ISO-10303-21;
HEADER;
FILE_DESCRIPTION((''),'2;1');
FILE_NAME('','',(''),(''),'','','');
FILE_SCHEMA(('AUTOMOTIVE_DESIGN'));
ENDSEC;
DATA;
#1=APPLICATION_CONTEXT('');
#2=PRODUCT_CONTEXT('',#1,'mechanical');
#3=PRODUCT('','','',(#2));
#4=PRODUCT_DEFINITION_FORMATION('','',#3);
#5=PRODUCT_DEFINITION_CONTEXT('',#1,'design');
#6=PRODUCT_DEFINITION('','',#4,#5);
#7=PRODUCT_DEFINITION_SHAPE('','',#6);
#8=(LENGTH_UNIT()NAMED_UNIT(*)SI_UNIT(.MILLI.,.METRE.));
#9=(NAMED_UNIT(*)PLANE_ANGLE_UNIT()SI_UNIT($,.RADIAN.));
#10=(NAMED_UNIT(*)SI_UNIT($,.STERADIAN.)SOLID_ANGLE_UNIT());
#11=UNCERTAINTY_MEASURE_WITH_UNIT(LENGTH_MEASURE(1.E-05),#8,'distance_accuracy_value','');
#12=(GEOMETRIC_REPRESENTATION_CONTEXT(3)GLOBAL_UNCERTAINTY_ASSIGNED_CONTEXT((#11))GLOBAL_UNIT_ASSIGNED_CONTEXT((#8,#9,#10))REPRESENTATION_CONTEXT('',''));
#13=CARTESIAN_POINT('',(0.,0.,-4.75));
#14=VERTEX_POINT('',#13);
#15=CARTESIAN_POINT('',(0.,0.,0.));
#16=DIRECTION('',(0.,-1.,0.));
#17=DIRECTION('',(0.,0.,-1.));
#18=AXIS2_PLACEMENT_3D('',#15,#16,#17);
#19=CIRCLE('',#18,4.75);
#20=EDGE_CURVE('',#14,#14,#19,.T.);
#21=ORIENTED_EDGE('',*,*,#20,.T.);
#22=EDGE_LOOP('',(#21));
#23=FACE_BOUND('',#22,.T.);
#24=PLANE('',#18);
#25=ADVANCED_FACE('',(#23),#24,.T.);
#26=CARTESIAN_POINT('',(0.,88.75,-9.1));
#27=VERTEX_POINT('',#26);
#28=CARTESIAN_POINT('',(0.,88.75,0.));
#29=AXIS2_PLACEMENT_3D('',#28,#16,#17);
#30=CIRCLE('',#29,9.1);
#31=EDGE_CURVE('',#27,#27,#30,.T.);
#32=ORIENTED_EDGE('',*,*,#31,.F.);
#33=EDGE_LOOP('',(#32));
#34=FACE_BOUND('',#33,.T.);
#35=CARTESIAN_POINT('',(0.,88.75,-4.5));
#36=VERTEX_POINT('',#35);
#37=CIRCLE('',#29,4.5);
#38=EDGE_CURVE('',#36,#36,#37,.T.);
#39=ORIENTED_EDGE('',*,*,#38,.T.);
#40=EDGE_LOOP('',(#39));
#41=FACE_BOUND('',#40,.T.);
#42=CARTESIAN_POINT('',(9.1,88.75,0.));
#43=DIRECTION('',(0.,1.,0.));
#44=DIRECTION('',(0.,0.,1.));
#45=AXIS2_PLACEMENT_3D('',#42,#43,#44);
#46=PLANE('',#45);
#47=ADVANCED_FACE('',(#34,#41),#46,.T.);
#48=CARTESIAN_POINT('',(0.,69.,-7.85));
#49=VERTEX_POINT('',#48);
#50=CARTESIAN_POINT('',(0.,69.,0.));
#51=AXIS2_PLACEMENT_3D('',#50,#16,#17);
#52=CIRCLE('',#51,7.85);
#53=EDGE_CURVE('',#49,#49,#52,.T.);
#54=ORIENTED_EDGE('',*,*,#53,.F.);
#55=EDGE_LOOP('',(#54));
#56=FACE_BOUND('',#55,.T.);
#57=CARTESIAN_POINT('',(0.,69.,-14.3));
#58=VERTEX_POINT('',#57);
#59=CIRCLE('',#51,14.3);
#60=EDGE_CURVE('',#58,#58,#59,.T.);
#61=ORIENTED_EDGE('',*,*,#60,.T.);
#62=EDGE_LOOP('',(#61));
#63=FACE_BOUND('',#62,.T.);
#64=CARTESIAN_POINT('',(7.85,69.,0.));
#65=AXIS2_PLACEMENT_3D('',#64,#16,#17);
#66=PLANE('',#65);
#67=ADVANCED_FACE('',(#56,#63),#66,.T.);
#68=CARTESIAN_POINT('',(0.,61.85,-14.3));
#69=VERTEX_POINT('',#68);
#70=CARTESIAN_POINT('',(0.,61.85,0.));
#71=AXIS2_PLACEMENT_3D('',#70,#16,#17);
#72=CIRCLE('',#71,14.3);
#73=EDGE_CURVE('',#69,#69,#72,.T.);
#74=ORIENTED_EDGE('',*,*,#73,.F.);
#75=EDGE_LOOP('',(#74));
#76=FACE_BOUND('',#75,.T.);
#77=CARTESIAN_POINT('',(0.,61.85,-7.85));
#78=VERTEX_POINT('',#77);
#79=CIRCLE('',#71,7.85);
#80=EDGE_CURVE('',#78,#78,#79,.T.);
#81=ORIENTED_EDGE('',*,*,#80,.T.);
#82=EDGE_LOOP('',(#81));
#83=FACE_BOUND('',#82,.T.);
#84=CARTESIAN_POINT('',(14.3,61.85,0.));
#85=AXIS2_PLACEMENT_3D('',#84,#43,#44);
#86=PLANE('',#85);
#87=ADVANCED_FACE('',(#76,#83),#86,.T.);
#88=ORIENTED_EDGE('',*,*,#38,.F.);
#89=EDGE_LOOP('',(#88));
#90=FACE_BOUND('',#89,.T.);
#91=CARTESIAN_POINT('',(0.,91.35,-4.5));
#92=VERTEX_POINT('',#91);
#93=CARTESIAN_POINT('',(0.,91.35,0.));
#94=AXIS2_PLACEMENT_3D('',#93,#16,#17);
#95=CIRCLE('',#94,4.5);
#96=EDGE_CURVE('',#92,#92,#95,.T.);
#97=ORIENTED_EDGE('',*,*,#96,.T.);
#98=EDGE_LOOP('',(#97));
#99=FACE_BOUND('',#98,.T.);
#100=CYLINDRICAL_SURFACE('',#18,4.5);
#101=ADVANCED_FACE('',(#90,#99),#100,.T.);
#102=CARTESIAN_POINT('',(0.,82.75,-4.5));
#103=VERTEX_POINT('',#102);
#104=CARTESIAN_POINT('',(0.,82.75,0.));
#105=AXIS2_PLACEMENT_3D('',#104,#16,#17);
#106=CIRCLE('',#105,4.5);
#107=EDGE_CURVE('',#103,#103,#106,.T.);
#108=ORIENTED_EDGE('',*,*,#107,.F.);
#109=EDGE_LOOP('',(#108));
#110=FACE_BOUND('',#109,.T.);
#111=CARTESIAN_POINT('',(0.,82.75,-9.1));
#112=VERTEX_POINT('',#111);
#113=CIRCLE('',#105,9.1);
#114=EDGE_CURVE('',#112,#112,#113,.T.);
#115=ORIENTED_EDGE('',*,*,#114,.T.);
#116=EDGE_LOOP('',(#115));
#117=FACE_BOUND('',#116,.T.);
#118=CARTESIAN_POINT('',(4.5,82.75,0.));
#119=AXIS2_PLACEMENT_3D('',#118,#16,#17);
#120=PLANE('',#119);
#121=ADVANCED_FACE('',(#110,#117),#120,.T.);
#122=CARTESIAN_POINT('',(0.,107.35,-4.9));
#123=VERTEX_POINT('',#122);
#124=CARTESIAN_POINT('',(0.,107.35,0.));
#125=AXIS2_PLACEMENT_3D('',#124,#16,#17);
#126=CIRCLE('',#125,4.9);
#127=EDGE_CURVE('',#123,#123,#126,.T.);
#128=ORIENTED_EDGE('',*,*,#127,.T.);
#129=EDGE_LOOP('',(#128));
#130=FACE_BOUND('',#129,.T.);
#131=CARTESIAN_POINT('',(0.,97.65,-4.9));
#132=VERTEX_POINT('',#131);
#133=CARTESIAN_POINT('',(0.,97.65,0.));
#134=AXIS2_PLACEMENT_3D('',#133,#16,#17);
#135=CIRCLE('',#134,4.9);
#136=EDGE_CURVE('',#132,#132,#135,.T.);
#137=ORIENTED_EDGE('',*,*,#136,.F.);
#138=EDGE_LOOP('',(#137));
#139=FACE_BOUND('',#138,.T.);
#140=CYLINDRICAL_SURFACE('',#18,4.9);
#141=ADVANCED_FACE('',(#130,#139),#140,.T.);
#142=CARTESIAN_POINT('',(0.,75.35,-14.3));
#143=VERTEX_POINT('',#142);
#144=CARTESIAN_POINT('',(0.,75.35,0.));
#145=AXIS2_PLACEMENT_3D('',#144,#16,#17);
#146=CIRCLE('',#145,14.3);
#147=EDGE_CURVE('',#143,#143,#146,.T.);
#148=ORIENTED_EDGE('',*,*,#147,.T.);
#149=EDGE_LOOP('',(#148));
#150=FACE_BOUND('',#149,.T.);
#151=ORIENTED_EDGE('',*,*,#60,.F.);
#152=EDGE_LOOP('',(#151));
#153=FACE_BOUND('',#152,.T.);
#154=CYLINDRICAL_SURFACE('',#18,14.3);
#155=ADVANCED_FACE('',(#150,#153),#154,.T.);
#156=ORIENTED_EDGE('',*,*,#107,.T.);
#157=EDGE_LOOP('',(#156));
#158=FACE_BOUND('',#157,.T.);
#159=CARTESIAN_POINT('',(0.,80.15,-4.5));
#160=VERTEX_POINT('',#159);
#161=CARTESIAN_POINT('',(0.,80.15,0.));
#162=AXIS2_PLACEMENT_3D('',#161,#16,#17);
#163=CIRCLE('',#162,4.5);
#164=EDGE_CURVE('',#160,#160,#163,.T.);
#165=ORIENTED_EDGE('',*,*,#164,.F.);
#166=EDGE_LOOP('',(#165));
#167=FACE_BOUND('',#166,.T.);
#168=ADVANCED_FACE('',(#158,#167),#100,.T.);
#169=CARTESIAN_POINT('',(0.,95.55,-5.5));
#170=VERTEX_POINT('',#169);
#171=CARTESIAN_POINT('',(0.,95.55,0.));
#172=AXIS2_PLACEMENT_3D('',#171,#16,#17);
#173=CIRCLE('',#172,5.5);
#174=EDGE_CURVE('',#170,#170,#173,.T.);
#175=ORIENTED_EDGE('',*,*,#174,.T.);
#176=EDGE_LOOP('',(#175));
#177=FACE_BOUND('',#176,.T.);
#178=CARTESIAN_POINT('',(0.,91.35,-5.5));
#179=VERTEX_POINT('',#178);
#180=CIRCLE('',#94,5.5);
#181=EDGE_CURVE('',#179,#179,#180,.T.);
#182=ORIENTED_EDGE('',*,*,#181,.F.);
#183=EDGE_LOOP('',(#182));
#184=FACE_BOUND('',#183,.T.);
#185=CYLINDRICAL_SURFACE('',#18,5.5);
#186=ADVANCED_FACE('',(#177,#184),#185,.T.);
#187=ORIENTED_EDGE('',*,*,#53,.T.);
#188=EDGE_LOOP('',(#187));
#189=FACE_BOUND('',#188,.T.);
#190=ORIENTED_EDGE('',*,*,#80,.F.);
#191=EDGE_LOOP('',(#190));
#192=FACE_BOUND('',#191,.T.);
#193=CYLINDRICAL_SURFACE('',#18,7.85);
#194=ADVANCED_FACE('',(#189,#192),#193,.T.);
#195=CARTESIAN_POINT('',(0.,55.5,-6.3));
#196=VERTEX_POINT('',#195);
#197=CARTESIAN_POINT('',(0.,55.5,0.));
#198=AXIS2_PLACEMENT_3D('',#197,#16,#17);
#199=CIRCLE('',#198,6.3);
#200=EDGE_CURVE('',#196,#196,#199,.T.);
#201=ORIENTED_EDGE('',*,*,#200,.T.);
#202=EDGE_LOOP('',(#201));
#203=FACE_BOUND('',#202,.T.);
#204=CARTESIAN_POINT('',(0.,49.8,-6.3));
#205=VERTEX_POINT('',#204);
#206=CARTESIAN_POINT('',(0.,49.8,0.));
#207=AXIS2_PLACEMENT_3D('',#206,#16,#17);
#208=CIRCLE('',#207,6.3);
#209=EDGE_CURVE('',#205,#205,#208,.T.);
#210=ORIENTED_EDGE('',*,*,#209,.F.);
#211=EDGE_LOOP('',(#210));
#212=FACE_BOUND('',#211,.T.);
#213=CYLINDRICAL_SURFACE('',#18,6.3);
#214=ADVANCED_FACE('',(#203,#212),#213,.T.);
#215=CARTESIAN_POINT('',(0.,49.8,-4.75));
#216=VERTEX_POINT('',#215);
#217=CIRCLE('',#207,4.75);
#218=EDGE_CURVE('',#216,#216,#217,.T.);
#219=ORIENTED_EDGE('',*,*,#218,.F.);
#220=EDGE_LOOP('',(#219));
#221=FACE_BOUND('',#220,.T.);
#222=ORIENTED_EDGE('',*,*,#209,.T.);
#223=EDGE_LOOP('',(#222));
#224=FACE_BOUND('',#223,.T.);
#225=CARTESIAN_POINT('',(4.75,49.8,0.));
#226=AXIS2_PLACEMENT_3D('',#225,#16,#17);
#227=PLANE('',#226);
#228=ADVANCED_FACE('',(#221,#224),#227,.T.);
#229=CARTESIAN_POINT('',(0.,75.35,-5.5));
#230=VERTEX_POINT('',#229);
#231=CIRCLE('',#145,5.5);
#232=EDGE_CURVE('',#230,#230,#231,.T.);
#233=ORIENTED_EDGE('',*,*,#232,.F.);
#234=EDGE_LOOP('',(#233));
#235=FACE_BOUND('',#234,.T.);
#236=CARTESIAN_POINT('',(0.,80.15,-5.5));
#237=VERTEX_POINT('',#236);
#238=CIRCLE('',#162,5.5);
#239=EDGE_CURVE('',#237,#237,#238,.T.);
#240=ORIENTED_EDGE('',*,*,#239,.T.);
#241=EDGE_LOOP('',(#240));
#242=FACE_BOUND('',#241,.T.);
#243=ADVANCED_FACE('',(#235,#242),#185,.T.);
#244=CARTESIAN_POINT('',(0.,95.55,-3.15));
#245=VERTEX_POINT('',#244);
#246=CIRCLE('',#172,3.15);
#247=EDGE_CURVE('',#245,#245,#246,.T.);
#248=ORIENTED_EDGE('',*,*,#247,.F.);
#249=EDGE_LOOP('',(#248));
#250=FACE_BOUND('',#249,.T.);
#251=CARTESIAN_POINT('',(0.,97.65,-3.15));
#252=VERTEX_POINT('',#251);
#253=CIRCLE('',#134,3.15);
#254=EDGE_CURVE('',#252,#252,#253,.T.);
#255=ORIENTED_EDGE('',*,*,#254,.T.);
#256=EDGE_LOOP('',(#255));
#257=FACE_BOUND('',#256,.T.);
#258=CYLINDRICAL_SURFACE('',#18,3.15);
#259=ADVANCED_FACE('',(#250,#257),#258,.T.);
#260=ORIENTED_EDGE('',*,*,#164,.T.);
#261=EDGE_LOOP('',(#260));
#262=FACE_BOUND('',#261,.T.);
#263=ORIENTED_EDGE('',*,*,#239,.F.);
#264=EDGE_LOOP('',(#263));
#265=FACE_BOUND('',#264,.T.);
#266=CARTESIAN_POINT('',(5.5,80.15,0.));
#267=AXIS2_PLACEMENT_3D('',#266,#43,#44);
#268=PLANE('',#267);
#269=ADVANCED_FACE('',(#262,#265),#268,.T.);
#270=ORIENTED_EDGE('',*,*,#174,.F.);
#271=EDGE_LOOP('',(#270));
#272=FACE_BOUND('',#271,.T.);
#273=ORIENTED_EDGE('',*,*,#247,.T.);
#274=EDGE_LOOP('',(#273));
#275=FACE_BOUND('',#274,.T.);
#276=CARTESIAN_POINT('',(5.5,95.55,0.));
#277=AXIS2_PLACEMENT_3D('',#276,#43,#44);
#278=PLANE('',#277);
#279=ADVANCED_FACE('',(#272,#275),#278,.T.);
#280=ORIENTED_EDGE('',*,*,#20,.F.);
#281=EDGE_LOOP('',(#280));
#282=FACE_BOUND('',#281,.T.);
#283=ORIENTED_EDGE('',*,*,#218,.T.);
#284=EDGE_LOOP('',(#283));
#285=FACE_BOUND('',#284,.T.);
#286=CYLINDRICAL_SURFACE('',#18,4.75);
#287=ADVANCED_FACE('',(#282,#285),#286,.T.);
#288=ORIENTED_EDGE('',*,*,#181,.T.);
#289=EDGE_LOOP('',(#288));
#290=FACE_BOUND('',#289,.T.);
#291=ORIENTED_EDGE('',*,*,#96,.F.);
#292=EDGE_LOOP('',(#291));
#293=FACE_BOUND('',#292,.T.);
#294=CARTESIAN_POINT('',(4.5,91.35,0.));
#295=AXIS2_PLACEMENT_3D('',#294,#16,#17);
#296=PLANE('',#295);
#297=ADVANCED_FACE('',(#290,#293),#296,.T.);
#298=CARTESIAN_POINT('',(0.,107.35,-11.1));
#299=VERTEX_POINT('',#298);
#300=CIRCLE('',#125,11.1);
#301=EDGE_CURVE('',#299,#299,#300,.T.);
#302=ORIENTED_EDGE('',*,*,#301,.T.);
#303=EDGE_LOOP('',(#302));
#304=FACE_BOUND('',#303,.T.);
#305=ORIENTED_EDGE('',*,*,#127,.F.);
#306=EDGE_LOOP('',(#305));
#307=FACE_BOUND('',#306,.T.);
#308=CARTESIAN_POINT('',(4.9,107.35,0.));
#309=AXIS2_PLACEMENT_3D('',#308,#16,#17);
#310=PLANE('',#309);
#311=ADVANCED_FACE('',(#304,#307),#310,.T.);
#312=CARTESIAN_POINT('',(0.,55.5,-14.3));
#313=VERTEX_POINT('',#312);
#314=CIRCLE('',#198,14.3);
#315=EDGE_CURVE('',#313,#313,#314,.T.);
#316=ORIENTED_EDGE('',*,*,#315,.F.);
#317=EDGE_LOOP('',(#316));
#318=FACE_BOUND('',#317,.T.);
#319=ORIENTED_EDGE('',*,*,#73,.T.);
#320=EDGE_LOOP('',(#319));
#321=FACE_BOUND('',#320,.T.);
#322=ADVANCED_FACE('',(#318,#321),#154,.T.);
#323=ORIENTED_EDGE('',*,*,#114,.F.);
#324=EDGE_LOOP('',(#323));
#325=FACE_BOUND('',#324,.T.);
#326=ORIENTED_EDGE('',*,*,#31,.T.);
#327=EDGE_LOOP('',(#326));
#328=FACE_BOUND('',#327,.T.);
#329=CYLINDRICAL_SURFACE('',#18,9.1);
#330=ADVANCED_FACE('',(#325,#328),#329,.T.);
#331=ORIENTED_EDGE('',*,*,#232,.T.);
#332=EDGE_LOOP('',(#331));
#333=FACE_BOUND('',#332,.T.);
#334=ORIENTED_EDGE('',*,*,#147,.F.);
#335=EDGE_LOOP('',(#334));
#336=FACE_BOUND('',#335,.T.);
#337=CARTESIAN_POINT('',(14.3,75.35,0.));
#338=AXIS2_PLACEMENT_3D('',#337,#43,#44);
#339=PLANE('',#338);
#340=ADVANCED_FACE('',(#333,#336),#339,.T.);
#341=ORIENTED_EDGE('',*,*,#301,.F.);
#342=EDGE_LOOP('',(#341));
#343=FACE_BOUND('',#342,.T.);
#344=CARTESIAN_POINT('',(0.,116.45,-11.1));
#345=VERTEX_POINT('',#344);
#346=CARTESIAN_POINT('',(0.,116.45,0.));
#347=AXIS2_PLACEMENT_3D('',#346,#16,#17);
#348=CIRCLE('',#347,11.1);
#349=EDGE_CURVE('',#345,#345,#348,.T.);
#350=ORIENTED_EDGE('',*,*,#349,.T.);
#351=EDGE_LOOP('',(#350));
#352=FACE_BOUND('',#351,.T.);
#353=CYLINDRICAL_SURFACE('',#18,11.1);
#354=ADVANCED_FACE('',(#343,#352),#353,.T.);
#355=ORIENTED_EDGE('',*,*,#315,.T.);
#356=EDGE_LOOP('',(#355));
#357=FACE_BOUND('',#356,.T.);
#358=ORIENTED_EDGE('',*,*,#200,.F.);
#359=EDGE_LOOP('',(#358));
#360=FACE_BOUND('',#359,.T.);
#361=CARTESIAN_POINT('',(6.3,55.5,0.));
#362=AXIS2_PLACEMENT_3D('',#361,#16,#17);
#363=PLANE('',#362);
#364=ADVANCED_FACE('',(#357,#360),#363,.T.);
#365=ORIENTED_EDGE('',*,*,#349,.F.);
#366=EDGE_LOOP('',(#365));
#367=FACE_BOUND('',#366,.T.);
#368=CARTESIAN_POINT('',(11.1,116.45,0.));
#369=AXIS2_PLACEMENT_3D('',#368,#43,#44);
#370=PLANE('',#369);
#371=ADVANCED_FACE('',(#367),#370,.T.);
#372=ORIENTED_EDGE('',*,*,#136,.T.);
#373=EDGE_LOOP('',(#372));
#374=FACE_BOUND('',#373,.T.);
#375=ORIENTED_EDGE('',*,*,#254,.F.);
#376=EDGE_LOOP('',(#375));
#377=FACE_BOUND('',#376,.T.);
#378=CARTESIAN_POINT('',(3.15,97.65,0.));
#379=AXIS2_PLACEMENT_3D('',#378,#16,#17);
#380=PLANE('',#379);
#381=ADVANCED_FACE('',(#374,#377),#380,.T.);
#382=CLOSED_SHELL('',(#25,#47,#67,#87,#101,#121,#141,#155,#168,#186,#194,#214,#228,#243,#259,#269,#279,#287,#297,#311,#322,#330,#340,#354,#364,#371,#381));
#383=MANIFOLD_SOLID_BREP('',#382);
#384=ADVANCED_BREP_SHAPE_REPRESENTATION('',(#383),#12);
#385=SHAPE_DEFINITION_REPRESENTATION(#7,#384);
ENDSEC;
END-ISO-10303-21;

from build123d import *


with BuildPart() as part:
    # Sketch1 → Revolve2 (revolve)
    with BuildSketch(Plane.XY):
        Polygon((0, 0), (4.75, 0), (4.75, 49.8), (6.3, 49.8), (6.3, 55.5), (14.3, 55.5), (14.3, 61.85), (7.85, 61.85), (7.85, 69), (14.3, 69), (14.3, 75.35), (5.5, 75.35), (5.5, 80.15), (4.5, 80.15), (4.5, 82.75), (9.1, 82.75), (9.1, 88.75), (4.5, 88.75), (4.5, 91.35), (5.5, 91.35), (5.5, 95.55), (3.15, 95.55), (3.15, 97.65), (4.9, 97.65), (4.9, 107.35), (11.1, 107.35), (11.1, 116.45), (0, 116.45), align=None)
    revolve(axis=Axis((0, 0, 0), (0, 1, 0)))


solid = part.part
